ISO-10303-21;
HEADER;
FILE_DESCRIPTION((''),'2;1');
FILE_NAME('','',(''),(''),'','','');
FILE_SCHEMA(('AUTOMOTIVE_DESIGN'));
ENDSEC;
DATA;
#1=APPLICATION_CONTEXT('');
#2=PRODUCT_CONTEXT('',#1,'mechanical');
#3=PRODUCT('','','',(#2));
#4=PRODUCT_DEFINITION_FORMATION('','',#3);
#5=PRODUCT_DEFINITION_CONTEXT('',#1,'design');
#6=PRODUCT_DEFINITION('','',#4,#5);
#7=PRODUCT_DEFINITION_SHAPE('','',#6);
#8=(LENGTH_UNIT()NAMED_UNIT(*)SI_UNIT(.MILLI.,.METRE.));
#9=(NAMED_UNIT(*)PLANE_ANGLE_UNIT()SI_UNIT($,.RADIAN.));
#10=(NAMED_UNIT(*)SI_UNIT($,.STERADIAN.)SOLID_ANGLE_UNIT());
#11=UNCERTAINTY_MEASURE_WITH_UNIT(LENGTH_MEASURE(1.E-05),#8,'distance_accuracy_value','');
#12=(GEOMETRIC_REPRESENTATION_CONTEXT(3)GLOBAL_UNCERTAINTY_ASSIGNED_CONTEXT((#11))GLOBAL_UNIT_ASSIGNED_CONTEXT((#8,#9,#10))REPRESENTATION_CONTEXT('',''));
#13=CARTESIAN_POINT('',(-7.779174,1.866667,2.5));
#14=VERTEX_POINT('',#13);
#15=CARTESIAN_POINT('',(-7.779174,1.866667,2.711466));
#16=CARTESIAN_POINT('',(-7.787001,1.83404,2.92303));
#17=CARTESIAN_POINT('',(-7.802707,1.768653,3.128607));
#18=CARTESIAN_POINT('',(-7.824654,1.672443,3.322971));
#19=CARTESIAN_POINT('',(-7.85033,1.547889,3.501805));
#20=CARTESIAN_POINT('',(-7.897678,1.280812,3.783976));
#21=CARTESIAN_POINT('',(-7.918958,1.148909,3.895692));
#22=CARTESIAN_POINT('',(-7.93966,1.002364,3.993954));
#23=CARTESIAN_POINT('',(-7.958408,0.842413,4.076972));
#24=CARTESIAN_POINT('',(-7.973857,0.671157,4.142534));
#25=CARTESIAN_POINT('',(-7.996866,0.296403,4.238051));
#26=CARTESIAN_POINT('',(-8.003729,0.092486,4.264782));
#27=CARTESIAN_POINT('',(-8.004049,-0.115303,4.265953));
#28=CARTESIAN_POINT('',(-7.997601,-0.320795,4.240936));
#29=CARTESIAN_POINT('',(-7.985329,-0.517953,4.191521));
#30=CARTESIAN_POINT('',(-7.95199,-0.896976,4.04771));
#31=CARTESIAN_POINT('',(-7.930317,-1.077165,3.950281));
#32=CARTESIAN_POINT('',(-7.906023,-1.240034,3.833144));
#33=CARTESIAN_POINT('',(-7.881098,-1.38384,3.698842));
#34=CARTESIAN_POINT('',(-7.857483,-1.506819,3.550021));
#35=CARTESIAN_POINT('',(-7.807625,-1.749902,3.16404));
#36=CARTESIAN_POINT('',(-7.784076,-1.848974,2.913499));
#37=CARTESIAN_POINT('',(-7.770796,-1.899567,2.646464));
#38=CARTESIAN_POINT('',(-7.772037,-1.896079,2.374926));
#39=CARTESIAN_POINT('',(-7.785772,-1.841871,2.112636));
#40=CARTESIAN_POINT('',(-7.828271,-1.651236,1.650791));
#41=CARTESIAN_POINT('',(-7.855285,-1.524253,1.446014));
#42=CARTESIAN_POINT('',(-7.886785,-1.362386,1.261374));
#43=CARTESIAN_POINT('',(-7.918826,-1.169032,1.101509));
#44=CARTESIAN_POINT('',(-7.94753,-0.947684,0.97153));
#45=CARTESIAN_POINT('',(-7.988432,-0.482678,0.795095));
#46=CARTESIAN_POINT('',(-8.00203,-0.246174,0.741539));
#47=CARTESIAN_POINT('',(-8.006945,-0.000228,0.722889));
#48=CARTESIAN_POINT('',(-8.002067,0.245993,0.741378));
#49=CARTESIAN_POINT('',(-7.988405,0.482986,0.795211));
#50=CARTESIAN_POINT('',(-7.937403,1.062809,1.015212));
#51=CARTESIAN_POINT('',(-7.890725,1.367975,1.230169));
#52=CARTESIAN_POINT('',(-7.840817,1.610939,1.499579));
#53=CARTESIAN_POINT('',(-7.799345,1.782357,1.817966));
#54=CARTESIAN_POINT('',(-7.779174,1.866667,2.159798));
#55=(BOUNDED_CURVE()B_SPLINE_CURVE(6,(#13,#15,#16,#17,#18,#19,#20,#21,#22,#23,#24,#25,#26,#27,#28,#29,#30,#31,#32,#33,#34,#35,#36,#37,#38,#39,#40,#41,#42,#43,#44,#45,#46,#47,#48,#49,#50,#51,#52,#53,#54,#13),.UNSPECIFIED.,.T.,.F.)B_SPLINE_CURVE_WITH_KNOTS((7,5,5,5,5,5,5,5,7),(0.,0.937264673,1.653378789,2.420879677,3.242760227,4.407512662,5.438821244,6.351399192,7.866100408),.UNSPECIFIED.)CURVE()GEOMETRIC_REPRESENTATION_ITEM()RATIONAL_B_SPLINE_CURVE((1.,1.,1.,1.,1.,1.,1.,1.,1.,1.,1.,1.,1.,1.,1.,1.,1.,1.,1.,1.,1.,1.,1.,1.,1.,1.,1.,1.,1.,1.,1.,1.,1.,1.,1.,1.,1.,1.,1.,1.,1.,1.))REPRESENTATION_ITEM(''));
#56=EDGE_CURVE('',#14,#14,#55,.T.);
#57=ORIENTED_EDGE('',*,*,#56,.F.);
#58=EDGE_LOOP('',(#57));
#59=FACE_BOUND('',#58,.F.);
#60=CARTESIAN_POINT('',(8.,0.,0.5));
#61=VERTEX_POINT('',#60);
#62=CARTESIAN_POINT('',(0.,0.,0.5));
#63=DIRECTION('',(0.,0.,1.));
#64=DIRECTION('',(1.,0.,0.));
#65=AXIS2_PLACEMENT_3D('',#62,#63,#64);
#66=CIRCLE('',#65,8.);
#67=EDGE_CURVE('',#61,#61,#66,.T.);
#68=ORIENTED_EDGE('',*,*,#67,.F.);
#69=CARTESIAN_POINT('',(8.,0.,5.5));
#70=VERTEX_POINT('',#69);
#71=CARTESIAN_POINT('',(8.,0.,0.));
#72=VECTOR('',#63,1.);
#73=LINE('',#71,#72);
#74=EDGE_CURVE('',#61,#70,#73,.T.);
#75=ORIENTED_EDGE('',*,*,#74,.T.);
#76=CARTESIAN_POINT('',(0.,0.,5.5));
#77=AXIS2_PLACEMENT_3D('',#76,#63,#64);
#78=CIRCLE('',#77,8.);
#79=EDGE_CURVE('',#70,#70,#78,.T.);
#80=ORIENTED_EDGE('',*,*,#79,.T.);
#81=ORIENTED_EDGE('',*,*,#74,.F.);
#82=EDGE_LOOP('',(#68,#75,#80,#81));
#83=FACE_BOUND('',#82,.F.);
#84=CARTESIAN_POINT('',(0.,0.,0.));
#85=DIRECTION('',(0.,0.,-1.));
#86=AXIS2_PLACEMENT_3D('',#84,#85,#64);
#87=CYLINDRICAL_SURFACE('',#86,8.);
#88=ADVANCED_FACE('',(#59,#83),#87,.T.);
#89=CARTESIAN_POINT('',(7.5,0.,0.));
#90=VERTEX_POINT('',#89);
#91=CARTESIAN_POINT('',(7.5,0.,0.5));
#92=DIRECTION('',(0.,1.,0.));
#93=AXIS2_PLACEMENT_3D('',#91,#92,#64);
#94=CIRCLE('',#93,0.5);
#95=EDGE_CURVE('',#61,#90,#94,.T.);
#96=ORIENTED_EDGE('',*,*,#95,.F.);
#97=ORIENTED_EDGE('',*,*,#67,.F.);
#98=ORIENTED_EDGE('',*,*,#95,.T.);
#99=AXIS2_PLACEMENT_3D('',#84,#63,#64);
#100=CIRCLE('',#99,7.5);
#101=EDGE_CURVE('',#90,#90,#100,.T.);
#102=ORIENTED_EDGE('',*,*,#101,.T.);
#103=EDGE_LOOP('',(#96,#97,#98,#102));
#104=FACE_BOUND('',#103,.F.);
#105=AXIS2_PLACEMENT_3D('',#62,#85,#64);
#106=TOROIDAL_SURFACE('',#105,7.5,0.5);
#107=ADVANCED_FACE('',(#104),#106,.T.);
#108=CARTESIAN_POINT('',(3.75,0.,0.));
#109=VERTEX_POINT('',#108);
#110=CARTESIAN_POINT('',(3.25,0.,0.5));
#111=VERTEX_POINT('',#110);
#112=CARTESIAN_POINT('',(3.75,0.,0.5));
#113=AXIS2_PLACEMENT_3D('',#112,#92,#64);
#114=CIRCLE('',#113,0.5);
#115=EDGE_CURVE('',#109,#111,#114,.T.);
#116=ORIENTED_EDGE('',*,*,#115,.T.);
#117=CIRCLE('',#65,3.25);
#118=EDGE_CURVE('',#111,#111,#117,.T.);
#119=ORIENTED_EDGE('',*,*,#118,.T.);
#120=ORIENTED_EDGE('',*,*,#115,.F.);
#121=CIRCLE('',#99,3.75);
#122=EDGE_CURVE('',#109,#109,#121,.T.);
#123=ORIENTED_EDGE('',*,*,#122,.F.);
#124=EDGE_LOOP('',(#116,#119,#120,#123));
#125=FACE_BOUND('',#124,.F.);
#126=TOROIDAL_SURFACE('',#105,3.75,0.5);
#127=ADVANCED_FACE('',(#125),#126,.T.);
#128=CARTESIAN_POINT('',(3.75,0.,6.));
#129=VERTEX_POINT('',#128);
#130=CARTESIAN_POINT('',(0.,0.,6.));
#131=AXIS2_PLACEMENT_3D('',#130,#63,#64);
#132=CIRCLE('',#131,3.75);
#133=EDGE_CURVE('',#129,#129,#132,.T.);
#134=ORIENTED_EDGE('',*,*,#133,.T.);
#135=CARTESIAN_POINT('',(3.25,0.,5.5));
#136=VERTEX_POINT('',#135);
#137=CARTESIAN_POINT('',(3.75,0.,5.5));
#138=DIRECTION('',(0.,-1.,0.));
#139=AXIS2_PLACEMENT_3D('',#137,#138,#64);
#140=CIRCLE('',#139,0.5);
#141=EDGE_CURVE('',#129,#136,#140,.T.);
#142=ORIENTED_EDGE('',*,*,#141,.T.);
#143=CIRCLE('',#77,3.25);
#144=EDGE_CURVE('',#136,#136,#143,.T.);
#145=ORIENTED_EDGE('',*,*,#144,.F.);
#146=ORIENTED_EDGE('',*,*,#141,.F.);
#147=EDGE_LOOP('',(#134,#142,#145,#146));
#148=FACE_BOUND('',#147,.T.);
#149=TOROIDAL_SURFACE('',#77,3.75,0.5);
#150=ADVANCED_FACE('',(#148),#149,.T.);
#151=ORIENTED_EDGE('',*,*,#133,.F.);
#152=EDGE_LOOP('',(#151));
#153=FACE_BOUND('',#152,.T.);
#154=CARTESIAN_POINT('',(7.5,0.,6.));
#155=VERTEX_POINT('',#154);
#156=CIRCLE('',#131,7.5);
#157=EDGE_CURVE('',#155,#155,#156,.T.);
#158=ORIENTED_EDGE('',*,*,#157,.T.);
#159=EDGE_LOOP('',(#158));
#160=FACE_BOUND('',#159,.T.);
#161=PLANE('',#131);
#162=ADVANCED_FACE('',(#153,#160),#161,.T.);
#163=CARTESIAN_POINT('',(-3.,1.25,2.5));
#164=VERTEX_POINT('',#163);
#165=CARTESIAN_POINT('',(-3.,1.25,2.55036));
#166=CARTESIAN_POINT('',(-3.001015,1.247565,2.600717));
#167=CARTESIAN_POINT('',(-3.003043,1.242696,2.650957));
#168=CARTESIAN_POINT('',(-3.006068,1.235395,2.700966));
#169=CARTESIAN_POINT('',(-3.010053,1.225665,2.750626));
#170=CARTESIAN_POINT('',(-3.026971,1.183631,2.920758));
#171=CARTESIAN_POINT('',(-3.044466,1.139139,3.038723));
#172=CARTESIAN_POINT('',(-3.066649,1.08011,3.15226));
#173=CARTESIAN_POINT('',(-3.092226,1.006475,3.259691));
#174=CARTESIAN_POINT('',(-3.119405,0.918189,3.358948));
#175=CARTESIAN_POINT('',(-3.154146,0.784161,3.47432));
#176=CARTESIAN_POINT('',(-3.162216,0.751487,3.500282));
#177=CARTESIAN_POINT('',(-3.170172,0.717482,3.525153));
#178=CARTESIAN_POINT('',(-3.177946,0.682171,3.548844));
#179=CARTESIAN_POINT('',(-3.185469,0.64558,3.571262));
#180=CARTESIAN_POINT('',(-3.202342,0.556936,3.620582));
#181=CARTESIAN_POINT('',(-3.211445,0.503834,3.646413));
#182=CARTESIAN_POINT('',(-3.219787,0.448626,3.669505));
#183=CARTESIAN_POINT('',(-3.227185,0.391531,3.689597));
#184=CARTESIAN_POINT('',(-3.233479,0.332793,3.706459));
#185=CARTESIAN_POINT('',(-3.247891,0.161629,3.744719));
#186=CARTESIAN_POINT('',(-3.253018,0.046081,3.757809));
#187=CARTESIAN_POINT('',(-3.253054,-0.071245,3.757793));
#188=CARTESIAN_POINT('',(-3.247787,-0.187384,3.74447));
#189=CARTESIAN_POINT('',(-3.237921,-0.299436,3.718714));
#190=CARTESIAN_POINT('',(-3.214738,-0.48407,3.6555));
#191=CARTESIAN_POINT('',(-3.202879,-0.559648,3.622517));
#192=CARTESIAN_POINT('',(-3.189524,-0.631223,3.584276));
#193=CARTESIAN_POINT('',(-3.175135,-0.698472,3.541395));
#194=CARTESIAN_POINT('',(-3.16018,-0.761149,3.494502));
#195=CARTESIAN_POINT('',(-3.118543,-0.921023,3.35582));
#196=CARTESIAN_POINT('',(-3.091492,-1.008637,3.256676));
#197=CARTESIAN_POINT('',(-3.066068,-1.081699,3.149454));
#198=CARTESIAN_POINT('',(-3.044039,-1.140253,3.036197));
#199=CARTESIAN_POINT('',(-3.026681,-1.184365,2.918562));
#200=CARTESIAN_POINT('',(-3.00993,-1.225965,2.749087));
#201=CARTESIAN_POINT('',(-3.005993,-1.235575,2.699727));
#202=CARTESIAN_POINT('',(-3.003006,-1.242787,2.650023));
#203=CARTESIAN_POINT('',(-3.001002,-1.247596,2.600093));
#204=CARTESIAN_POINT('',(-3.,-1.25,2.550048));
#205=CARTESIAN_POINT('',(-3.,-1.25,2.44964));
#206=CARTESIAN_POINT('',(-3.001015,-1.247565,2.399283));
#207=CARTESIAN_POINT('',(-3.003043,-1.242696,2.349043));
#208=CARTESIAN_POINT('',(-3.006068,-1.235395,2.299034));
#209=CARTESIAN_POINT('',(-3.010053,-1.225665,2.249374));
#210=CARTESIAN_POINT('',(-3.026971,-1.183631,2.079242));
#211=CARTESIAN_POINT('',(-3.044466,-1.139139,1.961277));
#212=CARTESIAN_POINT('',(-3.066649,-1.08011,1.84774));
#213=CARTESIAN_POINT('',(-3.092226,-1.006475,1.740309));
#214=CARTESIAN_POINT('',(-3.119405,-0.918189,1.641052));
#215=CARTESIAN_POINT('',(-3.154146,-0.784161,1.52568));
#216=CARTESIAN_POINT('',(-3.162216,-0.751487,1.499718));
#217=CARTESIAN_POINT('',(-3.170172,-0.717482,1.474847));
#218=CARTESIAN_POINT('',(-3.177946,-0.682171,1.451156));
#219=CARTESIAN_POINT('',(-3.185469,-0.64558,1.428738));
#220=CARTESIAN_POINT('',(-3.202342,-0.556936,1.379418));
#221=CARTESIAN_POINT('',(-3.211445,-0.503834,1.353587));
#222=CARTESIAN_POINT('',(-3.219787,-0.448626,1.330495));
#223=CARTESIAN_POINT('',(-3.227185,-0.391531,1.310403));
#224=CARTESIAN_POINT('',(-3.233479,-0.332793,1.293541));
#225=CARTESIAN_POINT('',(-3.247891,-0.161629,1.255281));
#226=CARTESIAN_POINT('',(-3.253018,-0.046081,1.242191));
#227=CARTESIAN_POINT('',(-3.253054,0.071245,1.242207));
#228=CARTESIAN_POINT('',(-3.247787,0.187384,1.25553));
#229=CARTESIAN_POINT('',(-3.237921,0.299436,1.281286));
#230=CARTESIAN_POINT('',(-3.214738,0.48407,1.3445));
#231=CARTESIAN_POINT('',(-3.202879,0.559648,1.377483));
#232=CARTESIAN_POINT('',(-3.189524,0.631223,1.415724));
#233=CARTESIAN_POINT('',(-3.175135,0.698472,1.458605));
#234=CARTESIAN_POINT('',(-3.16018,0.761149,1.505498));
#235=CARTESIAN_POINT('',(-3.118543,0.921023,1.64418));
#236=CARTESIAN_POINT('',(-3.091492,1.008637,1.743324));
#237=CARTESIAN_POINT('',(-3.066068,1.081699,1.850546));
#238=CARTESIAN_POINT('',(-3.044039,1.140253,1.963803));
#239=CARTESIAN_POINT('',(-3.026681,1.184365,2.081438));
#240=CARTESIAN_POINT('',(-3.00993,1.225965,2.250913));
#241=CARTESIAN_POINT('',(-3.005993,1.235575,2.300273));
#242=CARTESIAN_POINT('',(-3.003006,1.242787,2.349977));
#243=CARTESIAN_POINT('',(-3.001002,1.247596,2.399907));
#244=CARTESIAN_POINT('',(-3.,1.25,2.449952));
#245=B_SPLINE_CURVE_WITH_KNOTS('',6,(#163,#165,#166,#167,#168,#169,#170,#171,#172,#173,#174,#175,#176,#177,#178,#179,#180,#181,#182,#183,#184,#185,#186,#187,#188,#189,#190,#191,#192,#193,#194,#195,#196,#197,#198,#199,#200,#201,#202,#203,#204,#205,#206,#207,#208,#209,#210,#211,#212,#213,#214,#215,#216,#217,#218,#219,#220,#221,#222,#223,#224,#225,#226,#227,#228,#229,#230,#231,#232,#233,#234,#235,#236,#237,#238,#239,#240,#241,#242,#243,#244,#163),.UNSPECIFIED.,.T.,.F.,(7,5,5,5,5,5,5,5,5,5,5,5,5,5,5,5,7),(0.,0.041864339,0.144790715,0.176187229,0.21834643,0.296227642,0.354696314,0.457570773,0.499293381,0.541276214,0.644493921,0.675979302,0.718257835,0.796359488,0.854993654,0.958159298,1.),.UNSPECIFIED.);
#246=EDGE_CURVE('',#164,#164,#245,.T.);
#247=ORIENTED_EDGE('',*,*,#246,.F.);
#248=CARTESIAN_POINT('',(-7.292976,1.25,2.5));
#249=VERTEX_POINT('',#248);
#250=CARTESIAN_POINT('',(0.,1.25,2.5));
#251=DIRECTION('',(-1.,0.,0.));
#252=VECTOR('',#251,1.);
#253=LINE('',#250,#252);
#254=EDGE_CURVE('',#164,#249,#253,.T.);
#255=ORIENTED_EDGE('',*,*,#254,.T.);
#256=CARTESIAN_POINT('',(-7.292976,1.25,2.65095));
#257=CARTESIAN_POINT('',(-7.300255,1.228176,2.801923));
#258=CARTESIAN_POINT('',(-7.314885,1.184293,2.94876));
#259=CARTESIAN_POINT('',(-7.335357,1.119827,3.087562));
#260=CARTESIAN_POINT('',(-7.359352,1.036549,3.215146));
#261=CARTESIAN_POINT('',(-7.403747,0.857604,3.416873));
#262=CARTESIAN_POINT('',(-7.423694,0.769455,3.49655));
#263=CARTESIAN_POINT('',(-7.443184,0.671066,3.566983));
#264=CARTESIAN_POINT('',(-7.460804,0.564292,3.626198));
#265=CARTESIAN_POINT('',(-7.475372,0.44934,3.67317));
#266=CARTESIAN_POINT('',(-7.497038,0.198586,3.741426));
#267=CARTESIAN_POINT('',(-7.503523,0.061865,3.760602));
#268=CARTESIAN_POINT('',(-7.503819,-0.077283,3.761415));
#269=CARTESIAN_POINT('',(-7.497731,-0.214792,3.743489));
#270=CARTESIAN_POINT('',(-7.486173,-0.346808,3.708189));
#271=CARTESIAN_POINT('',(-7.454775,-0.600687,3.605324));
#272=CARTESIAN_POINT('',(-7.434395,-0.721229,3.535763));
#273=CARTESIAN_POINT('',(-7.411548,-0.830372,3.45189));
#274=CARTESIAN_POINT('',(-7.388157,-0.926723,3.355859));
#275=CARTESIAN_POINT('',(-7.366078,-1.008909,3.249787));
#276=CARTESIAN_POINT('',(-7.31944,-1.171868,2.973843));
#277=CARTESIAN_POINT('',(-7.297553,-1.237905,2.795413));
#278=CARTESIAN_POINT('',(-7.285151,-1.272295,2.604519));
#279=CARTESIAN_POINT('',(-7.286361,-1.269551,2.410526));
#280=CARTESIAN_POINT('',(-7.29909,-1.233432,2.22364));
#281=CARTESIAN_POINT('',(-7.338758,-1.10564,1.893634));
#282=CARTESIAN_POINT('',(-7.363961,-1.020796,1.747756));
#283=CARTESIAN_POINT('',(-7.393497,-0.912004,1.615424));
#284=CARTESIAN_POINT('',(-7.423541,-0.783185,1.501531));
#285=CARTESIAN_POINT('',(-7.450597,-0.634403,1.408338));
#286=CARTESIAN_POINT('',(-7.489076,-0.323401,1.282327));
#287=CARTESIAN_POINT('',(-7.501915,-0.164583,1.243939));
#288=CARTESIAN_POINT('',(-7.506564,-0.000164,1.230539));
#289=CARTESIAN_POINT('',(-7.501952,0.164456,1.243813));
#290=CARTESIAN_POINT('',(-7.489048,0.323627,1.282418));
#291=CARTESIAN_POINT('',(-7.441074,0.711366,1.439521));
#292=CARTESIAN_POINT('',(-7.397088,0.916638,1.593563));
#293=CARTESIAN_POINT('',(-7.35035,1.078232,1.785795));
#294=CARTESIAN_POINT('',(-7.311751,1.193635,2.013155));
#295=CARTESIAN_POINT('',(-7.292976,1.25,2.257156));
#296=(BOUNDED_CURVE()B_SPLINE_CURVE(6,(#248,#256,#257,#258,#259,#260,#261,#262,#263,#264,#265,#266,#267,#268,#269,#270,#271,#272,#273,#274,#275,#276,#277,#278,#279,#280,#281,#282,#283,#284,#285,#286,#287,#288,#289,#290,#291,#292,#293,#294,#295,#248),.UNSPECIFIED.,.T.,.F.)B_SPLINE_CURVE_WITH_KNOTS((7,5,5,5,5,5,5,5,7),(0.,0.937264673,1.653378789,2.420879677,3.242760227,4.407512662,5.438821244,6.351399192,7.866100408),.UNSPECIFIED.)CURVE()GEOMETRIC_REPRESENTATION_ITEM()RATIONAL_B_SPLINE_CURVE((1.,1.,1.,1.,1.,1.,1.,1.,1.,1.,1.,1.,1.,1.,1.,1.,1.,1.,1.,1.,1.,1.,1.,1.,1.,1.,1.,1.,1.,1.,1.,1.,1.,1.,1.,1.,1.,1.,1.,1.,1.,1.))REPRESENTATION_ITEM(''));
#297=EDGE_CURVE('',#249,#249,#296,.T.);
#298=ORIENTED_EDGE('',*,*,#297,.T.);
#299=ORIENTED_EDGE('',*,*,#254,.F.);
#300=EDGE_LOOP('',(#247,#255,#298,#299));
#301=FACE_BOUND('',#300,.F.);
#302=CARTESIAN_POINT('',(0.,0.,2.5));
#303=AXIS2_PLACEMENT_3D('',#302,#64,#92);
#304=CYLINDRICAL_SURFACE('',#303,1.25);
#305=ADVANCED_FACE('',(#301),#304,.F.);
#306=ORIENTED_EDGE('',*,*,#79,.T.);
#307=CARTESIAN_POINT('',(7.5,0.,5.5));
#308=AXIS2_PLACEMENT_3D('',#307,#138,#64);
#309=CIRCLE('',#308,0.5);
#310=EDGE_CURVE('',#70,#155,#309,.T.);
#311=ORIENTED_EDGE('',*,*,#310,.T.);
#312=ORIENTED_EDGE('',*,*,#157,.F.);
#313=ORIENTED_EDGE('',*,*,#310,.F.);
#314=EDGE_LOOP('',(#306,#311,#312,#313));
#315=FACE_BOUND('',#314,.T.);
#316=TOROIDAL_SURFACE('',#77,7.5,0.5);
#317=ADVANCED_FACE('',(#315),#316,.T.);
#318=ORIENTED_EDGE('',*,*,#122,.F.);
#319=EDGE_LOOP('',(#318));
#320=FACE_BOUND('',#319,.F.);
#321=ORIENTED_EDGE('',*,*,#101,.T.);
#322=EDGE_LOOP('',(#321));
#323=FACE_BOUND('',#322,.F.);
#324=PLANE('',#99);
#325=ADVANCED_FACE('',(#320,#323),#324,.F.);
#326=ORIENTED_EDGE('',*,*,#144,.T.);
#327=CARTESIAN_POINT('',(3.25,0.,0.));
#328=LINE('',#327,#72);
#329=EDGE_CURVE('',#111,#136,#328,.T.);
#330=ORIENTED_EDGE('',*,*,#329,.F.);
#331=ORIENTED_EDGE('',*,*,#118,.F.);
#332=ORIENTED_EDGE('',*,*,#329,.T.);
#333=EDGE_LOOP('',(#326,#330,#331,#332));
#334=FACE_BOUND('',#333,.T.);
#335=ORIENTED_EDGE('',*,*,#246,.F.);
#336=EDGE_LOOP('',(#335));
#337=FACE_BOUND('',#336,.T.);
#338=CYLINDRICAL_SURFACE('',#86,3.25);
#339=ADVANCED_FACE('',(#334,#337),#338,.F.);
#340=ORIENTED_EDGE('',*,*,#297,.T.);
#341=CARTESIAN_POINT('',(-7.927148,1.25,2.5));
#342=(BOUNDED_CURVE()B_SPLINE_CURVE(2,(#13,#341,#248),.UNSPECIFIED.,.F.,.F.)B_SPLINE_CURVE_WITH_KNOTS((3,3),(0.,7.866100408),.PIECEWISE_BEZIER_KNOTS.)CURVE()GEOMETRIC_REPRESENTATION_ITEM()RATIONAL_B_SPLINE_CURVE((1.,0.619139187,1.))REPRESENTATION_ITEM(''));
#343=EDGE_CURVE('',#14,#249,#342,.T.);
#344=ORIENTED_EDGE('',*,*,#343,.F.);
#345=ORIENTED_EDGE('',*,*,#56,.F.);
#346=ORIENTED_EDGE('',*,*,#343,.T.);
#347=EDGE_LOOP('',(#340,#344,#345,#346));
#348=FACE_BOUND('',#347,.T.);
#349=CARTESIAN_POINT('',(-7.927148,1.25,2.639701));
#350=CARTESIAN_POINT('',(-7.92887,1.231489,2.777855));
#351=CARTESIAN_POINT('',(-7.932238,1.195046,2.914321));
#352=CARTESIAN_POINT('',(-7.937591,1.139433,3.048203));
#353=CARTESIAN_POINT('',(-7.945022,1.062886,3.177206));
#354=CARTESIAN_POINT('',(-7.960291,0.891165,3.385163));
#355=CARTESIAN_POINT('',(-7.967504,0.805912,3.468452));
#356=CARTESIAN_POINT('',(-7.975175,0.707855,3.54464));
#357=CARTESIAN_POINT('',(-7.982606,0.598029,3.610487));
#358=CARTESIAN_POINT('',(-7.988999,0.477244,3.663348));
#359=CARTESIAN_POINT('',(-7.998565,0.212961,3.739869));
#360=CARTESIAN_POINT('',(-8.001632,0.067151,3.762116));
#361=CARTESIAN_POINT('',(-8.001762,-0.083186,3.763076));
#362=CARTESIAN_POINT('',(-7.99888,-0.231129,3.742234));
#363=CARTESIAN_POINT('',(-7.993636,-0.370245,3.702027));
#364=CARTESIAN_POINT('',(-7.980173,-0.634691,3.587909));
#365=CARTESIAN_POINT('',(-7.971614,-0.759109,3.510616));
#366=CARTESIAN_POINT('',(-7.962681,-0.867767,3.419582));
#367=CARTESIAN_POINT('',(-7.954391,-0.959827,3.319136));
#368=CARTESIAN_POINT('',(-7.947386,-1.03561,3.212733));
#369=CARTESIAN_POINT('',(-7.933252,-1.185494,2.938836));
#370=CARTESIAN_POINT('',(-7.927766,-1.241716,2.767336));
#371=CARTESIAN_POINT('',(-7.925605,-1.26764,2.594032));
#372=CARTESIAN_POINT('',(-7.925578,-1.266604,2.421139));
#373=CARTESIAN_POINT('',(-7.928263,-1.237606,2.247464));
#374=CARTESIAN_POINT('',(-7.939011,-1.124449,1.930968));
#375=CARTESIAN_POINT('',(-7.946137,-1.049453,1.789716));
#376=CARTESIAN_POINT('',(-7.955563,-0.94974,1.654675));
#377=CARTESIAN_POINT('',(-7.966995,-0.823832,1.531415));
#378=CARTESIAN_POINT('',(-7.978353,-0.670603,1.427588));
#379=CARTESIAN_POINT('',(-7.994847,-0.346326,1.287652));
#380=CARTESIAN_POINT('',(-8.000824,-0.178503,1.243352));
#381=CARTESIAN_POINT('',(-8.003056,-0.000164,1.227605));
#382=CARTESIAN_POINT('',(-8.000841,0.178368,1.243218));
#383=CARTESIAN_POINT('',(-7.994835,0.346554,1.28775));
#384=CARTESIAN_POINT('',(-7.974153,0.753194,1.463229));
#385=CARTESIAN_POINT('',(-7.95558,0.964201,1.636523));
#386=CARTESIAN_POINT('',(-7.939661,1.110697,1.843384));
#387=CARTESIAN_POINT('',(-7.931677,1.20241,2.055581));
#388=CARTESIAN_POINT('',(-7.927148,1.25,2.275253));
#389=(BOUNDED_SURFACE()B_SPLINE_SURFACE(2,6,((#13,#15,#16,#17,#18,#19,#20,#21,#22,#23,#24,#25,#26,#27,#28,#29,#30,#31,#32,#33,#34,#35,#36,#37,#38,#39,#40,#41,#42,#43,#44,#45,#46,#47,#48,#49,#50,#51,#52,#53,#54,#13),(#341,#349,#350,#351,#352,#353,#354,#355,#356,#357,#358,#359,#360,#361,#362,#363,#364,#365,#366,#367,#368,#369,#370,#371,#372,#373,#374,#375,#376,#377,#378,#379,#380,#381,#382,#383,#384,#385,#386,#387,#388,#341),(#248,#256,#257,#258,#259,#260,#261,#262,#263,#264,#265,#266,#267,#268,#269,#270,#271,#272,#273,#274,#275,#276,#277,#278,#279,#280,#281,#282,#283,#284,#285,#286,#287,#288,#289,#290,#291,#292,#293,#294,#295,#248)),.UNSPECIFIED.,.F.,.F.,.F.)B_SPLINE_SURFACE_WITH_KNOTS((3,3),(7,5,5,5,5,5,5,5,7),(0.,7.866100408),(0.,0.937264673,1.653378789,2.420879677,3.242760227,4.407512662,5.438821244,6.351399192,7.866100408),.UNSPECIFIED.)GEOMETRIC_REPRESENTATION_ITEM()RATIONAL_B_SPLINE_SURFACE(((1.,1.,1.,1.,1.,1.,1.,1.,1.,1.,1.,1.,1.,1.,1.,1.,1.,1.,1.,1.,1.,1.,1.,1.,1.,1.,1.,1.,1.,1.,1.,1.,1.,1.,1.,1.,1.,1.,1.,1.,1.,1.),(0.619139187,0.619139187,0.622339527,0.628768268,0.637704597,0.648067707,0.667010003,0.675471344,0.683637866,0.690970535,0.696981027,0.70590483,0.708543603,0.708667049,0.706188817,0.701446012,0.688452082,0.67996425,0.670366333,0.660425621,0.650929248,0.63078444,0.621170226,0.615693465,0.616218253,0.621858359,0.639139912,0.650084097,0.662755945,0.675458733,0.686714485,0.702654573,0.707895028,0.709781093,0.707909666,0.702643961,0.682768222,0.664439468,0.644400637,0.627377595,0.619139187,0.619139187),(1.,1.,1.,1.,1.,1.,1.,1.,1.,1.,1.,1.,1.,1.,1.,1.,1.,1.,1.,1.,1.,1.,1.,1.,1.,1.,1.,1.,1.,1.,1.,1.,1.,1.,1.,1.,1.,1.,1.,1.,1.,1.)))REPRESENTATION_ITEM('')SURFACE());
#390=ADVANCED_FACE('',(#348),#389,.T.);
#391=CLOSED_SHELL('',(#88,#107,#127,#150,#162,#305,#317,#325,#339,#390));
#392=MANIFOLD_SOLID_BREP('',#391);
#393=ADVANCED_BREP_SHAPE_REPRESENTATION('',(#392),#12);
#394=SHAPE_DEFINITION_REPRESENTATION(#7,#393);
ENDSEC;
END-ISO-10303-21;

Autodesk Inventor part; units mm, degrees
ref_plane "YZ Plane" through (0, 0, 0) normal (1, 0, 0) x (0, 1, 0)
ref_plane "XZ Plane" through (0, 0, 0) normal (0, 1, 0) x (-1, 0, 0)
ref_plane "XY Plane" through (0, 0, 0) normal (0, 0, 1) x (1, 0, 0)
sketch "Sketch1" plane through (0, 0, 0) normal (0, 0, 1) x (1, 0, 0)
  circle A0 centre (0, 0) radius 3.25
  circle A1 centre (0, 0) radius 8
  dimension "d0" = 6.5
  dimension "d1" = 16
extrude "Extrusion1" add sketch "Sketch1" along normal blind 6
sketch "Sketch2" plane through (0, 0, 0) normal (1, 0, 0) x (0, 1, 0)
  circle A0 centre (0, 2.5) radius 1.25
  point P0 (0, 0)
  dimension "d4" = 2.5
extrude "Extrusion2" cut sketch "Sketch2" against normal blind 20
fillet "Fillet1" radius 0.5 1 edges at (-8, 0, 6)
fillet "Fillet2" radius 0.5 4 edges at (-7.9017, -1.25, 2.4978) (-8, 0, 0) (-3.25, 0, 0) (-3.25, 0, 6)
properties part number "6mmRingBracket"
